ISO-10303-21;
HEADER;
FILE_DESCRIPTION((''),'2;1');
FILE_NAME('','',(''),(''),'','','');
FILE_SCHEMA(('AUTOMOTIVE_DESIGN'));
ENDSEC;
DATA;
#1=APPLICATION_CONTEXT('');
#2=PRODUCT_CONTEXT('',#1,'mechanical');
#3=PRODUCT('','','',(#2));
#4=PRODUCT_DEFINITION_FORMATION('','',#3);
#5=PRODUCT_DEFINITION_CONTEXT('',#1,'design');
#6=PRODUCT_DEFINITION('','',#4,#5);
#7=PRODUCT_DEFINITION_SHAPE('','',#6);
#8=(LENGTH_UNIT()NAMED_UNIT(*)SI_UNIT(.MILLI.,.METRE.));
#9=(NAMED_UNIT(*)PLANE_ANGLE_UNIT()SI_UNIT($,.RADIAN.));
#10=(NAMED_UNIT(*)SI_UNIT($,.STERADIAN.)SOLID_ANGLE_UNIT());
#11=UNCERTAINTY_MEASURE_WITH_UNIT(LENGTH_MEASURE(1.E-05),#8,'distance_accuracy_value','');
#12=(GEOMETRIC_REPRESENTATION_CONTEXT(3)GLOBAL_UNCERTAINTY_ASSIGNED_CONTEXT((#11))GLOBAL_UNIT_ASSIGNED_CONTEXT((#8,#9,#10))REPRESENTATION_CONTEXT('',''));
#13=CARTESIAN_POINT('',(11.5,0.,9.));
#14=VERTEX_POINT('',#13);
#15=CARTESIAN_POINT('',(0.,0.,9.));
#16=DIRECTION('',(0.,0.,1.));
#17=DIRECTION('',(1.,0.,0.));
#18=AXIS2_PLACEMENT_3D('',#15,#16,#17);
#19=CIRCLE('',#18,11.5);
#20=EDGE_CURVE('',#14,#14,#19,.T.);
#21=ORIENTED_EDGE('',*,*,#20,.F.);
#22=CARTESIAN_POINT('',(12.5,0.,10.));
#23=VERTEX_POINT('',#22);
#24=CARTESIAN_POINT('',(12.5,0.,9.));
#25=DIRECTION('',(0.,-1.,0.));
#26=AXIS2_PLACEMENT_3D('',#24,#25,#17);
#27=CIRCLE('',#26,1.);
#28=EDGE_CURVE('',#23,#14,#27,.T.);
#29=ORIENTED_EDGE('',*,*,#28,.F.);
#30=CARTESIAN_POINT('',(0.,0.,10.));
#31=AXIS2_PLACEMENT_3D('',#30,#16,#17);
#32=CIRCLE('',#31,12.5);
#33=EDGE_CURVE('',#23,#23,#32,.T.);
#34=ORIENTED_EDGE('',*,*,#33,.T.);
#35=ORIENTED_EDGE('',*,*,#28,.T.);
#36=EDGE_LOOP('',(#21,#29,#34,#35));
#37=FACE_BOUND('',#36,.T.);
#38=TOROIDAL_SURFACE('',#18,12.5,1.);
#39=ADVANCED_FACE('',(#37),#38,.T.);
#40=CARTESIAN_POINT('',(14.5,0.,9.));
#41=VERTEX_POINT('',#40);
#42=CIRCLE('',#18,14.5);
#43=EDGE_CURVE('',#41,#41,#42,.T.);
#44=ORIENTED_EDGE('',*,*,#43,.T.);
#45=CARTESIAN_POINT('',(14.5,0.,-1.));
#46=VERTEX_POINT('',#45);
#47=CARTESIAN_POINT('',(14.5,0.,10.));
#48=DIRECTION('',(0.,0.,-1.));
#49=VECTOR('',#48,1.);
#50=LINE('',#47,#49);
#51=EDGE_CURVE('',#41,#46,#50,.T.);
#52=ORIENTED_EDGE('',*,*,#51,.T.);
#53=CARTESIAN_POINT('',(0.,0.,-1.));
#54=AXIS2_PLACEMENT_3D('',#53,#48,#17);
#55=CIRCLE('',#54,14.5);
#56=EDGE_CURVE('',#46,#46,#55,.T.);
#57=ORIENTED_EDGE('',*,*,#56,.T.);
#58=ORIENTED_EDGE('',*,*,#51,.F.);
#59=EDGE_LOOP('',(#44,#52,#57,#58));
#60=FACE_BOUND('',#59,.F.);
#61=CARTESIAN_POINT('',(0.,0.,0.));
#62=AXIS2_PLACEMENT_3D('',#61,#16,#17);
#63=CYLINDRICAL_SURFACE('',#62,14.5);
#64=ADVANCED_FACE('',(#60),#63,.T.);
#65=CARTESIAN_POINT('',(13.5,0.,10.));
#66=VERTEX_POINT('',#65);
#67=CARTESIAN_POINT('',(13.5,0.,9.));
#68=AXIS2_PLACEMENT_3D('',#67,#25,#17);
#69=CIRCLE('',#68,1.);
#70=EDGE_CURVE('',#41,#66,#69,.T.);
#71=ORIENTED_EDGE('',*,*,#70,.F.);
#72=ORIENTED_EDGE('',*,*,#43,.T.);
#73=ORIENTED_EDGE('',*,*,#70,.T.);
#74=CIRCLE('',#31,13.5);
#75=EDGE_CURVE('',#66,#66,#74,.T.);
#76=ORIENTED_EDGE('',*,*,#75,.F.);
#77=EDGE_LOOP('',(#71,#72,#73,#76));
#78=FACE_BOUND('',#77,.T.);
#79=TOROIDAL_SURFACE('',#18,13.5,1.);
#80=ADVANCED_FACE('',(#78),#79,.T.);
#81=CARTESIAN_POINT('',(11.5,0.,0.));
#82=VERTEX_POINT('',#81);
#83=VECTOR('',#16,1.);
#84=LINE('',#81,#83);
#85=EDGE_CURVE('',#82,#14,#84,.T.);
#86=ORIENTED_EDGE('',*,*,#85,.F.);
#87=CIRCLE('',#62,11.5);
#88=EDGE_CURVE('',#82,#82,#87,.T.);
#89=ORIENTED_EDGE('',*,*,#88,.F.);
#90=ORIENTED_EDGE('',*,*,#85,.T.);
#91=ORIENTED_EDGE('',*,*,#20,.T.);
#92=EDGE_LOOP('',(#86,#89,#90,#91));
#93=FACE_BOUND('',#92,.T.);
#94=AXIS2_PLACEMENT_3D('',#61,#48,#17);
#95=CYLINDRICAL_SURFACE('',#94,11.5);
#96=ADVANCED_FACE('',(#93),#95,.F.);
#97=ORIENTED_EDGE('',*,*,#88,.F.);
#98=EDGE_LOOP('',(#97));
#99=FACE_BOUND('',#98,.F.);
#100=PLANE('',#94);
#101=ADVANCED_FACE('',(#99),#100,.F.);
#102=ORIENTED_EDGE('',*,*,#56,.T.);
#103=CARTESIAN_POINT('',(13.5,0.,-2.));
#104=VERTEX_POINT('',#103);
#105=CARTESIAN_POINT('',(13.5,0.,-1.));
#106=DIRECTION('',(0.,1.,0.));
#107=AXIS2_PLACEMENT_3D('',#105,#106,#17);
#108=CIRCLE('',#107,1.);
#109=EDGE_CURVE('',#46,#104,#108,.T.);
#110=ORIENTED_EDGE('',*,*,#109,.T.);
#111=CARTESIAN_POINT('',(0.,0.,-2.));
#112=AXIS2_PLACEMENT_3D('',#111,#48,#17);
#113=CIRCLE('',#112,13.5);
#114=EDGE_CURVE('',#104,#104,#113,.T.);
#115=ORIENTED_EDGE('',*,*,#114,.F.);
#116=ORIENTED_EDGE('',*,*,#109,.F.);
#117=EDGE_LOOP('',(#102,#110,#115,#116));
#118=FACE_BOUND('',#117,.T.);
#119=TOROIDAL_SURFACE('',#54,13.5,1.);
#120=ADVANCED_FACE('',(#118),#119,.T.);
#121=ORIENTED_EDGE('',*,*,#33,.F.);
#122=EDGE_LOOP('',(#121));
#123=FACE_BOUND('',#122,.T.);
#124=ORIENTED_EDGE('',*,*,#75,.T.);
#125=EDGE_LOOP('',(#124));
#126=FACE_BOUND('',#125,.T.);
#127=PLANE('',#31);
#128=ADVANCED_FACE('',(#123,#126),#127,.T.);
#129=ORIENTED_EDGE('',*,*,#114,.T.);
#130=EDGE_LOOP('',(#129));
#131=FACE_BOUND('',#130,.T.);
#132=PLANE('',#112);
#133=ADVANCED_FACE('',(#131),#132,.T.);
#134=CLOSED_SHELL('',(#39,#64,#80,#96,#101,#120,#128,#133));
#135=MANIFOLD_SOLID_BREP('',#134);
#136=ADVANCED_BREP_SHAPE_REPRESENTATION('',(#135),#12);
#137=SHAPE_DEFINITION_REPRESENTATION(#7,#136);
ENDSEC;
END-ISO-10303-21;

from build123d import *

# Parameters (mm, degrees)
F0_R     = 14.5
F0_R_2   = 11.5
F1_DEPTH = 10
F2_R     = 14.5
F3_DEPTH = 2
F4_R     = 1


with BuildPart() as f1:
    # F0 (on Top) → F1 (new body)
    with BuildSketch(Plane.XY):
        Circle(F0_R)
        Circle(F0_R_2, mode=Mode.SUBTRACT)
    extrude(amount=F1_DEPTH)

    # F2 (on face) → F3 (join)
    with BuildSketch(Plane(origin=(0, 0, 0), x_dir=(1, 0, 0), z_dir=(0, 0, -1))):
        Circle(F2_R)
    extrude(amount=F3_DEPTH)

    # F4
    f4_edges = [f1.edges().sort_by_distance(p)[0] for p in [
        (-14.5, 0, 10),
        (-11.5, 0, 10),
        (-14.5, 0, -2),
    ]]
    fillet(f4_edges, radius=F4_R)


solid = f1.part
